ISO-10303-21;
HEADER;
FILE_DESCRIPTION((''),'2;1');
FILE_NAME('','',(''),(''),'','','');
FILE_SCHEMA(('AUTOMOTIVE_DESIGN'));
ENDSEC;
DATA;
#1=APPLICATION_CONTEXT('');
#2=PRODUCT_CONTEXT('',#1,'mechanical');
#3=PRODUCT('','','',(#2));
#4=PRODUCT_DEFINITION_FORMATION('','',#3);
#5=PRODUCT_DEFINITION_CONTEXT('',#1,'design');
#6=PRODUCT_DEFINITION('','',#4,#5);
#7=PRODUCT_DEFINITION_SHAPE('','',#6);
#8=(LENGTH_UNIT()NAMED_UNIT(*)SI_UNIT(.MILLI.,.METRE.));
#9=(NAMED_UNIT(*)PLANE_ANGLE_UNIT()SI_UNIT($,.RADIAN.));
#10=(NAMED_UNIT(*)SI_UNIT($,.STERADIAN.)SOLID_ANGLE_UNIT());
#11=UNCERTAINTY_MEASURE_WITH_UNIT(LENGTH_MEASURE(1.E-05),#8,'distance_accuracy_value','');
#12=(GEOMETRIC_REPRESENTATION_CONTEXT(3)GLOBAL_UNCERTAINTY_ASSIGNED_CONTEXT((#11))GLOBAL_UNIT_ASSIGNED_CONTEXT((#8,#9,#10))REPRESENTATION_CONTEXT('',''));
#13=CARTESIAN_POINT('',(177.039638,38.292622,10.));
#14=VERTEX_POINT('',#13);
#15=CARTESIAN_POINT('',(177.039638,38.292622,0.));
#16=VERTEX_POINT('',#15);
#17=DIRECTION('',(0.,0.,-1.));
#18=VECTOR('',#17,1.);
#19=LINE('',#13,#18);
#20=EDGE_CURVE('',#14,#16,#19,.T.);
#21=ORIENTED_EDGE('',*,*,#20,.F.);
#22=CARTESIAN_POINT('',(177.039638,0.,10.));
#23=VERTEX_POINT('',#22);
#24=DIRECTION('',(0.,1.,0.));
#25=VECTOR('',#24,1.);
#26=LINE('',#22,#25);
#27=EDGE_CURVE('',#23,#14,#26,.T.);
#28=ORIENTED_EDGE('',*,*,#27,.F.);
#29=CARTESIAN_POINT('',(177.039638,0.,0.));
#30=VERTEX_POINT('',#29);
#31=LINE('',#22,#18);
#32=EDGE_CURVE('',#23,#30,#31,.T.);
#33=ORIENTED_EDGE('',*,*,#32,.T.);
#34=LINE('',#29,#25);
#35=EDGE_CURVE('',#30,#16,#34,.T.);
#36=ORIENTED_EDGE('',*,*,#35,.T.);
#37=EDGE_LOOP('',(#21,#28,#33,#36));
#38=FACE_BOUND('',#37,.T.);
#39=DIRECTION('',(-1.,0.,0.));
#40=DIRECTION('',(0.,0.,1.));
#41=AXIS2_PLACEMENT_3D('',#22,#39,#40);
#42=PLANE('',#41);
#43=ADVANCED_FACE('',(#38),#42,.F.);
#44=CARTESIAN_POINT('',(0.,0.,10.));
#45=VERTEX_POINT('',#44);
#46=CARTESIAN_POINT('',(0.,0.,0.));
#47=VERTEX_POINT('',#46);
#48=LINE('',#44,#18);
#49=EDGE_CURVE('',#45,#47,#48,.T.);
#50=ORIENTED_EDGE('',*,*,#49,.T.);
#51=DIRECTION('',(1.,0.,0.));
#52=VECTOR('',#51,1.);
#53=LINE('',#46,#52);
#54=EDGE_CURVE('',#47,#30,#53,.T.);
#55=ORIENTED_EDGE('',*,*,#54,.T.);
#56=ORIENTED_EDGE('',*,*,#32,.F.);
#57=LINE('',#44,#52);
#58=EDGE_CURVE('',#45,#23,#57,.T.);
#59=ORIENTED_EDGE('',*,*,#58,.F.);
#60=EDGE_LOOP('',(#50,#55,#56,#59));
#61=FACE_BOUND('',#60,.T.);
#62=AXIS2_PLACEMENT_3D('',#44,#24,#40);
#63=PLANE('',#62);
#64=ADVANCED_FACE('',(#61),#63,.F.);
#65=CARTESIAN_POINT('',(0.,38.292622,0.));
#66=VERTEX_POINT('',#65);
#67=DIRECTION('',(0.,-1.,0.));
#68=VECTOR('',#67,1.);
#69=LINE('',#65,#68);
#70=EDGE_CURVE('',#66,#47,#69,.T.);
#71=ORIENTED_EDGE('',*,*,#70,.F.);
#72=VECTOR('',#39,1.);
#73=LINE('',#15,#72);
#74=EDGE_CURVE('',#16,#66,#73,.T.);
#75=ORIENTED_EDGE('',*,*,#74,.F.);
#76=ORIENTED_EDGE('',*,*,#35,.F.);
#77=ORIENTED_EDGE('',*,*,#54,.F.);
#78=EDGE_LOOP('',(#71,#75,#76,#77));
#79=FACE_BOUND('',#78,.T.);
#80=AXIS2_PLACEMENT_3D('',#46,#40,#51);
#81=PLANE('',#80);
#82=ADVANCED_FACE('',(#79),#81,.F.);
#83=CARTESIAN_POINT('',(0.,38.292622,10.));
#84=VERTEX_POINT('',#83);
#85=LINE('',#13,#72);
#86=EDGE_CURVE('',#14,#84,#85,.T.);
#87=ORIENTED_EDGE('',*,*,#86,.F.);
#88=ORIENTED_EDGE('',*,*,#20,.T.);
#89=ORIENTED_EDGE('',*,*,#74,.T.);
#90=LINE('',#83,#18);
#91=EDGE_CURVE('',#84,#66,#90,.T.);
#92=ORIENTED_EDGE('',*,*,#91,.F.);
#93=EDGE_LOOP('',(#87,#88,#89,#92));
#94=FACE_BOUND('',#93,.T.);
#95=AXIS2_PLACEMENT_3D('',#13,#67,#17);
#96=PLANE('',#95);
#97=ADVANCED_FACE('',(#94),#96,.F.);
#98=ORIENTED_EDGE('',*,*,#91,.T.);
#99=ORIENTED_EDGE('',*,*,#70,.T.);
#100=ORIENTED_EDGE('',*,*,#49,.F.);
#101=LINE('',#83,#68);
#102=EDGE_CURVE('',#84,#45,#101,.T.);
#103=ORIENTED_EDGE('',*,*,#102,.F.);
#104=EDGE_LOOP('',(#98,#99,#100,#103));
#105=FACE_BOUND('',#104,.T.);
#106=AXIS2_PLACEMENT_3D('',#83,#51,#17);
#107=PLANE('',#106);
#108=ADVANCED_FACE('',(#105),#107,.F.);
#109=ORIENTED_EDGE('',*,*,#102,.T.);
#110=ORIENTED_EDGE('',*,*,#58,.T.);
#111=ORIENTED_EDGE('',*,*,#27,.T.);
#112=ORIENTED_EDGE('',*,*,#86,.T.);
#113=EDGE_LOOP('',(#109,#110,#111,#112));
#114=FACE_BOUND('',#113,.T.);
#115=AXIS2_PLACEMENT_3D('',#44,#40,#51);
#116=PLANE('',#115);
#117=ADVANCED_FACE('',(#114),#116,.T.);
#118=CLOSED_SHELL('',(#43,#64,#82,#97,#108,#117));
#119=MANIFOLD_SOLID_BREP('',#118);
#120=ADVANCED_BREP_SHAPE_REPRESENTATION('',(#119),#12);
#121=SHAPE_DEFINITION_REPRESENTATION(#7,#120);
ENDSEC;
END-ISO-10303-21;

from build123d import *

# Parameters (mm, degrees)
SKETCH1_W           = 177.039638226
SKETCH1_H           = 38.292622135
BOSS_EXTRUDE1_DEPTH = 10


with BuildPart() as part:
    # Sketch1 → Boss-Extrude1 (new body)
    with BuildSketch(Plane.XY):
        with Locations((88.519819113, 19.146311068)):
            Rectangle(SKETCH1_W, SKETCH1_H)
    extrude(amount=BOSS_EXTRUDE1_DEPTH)


solid = part.part
